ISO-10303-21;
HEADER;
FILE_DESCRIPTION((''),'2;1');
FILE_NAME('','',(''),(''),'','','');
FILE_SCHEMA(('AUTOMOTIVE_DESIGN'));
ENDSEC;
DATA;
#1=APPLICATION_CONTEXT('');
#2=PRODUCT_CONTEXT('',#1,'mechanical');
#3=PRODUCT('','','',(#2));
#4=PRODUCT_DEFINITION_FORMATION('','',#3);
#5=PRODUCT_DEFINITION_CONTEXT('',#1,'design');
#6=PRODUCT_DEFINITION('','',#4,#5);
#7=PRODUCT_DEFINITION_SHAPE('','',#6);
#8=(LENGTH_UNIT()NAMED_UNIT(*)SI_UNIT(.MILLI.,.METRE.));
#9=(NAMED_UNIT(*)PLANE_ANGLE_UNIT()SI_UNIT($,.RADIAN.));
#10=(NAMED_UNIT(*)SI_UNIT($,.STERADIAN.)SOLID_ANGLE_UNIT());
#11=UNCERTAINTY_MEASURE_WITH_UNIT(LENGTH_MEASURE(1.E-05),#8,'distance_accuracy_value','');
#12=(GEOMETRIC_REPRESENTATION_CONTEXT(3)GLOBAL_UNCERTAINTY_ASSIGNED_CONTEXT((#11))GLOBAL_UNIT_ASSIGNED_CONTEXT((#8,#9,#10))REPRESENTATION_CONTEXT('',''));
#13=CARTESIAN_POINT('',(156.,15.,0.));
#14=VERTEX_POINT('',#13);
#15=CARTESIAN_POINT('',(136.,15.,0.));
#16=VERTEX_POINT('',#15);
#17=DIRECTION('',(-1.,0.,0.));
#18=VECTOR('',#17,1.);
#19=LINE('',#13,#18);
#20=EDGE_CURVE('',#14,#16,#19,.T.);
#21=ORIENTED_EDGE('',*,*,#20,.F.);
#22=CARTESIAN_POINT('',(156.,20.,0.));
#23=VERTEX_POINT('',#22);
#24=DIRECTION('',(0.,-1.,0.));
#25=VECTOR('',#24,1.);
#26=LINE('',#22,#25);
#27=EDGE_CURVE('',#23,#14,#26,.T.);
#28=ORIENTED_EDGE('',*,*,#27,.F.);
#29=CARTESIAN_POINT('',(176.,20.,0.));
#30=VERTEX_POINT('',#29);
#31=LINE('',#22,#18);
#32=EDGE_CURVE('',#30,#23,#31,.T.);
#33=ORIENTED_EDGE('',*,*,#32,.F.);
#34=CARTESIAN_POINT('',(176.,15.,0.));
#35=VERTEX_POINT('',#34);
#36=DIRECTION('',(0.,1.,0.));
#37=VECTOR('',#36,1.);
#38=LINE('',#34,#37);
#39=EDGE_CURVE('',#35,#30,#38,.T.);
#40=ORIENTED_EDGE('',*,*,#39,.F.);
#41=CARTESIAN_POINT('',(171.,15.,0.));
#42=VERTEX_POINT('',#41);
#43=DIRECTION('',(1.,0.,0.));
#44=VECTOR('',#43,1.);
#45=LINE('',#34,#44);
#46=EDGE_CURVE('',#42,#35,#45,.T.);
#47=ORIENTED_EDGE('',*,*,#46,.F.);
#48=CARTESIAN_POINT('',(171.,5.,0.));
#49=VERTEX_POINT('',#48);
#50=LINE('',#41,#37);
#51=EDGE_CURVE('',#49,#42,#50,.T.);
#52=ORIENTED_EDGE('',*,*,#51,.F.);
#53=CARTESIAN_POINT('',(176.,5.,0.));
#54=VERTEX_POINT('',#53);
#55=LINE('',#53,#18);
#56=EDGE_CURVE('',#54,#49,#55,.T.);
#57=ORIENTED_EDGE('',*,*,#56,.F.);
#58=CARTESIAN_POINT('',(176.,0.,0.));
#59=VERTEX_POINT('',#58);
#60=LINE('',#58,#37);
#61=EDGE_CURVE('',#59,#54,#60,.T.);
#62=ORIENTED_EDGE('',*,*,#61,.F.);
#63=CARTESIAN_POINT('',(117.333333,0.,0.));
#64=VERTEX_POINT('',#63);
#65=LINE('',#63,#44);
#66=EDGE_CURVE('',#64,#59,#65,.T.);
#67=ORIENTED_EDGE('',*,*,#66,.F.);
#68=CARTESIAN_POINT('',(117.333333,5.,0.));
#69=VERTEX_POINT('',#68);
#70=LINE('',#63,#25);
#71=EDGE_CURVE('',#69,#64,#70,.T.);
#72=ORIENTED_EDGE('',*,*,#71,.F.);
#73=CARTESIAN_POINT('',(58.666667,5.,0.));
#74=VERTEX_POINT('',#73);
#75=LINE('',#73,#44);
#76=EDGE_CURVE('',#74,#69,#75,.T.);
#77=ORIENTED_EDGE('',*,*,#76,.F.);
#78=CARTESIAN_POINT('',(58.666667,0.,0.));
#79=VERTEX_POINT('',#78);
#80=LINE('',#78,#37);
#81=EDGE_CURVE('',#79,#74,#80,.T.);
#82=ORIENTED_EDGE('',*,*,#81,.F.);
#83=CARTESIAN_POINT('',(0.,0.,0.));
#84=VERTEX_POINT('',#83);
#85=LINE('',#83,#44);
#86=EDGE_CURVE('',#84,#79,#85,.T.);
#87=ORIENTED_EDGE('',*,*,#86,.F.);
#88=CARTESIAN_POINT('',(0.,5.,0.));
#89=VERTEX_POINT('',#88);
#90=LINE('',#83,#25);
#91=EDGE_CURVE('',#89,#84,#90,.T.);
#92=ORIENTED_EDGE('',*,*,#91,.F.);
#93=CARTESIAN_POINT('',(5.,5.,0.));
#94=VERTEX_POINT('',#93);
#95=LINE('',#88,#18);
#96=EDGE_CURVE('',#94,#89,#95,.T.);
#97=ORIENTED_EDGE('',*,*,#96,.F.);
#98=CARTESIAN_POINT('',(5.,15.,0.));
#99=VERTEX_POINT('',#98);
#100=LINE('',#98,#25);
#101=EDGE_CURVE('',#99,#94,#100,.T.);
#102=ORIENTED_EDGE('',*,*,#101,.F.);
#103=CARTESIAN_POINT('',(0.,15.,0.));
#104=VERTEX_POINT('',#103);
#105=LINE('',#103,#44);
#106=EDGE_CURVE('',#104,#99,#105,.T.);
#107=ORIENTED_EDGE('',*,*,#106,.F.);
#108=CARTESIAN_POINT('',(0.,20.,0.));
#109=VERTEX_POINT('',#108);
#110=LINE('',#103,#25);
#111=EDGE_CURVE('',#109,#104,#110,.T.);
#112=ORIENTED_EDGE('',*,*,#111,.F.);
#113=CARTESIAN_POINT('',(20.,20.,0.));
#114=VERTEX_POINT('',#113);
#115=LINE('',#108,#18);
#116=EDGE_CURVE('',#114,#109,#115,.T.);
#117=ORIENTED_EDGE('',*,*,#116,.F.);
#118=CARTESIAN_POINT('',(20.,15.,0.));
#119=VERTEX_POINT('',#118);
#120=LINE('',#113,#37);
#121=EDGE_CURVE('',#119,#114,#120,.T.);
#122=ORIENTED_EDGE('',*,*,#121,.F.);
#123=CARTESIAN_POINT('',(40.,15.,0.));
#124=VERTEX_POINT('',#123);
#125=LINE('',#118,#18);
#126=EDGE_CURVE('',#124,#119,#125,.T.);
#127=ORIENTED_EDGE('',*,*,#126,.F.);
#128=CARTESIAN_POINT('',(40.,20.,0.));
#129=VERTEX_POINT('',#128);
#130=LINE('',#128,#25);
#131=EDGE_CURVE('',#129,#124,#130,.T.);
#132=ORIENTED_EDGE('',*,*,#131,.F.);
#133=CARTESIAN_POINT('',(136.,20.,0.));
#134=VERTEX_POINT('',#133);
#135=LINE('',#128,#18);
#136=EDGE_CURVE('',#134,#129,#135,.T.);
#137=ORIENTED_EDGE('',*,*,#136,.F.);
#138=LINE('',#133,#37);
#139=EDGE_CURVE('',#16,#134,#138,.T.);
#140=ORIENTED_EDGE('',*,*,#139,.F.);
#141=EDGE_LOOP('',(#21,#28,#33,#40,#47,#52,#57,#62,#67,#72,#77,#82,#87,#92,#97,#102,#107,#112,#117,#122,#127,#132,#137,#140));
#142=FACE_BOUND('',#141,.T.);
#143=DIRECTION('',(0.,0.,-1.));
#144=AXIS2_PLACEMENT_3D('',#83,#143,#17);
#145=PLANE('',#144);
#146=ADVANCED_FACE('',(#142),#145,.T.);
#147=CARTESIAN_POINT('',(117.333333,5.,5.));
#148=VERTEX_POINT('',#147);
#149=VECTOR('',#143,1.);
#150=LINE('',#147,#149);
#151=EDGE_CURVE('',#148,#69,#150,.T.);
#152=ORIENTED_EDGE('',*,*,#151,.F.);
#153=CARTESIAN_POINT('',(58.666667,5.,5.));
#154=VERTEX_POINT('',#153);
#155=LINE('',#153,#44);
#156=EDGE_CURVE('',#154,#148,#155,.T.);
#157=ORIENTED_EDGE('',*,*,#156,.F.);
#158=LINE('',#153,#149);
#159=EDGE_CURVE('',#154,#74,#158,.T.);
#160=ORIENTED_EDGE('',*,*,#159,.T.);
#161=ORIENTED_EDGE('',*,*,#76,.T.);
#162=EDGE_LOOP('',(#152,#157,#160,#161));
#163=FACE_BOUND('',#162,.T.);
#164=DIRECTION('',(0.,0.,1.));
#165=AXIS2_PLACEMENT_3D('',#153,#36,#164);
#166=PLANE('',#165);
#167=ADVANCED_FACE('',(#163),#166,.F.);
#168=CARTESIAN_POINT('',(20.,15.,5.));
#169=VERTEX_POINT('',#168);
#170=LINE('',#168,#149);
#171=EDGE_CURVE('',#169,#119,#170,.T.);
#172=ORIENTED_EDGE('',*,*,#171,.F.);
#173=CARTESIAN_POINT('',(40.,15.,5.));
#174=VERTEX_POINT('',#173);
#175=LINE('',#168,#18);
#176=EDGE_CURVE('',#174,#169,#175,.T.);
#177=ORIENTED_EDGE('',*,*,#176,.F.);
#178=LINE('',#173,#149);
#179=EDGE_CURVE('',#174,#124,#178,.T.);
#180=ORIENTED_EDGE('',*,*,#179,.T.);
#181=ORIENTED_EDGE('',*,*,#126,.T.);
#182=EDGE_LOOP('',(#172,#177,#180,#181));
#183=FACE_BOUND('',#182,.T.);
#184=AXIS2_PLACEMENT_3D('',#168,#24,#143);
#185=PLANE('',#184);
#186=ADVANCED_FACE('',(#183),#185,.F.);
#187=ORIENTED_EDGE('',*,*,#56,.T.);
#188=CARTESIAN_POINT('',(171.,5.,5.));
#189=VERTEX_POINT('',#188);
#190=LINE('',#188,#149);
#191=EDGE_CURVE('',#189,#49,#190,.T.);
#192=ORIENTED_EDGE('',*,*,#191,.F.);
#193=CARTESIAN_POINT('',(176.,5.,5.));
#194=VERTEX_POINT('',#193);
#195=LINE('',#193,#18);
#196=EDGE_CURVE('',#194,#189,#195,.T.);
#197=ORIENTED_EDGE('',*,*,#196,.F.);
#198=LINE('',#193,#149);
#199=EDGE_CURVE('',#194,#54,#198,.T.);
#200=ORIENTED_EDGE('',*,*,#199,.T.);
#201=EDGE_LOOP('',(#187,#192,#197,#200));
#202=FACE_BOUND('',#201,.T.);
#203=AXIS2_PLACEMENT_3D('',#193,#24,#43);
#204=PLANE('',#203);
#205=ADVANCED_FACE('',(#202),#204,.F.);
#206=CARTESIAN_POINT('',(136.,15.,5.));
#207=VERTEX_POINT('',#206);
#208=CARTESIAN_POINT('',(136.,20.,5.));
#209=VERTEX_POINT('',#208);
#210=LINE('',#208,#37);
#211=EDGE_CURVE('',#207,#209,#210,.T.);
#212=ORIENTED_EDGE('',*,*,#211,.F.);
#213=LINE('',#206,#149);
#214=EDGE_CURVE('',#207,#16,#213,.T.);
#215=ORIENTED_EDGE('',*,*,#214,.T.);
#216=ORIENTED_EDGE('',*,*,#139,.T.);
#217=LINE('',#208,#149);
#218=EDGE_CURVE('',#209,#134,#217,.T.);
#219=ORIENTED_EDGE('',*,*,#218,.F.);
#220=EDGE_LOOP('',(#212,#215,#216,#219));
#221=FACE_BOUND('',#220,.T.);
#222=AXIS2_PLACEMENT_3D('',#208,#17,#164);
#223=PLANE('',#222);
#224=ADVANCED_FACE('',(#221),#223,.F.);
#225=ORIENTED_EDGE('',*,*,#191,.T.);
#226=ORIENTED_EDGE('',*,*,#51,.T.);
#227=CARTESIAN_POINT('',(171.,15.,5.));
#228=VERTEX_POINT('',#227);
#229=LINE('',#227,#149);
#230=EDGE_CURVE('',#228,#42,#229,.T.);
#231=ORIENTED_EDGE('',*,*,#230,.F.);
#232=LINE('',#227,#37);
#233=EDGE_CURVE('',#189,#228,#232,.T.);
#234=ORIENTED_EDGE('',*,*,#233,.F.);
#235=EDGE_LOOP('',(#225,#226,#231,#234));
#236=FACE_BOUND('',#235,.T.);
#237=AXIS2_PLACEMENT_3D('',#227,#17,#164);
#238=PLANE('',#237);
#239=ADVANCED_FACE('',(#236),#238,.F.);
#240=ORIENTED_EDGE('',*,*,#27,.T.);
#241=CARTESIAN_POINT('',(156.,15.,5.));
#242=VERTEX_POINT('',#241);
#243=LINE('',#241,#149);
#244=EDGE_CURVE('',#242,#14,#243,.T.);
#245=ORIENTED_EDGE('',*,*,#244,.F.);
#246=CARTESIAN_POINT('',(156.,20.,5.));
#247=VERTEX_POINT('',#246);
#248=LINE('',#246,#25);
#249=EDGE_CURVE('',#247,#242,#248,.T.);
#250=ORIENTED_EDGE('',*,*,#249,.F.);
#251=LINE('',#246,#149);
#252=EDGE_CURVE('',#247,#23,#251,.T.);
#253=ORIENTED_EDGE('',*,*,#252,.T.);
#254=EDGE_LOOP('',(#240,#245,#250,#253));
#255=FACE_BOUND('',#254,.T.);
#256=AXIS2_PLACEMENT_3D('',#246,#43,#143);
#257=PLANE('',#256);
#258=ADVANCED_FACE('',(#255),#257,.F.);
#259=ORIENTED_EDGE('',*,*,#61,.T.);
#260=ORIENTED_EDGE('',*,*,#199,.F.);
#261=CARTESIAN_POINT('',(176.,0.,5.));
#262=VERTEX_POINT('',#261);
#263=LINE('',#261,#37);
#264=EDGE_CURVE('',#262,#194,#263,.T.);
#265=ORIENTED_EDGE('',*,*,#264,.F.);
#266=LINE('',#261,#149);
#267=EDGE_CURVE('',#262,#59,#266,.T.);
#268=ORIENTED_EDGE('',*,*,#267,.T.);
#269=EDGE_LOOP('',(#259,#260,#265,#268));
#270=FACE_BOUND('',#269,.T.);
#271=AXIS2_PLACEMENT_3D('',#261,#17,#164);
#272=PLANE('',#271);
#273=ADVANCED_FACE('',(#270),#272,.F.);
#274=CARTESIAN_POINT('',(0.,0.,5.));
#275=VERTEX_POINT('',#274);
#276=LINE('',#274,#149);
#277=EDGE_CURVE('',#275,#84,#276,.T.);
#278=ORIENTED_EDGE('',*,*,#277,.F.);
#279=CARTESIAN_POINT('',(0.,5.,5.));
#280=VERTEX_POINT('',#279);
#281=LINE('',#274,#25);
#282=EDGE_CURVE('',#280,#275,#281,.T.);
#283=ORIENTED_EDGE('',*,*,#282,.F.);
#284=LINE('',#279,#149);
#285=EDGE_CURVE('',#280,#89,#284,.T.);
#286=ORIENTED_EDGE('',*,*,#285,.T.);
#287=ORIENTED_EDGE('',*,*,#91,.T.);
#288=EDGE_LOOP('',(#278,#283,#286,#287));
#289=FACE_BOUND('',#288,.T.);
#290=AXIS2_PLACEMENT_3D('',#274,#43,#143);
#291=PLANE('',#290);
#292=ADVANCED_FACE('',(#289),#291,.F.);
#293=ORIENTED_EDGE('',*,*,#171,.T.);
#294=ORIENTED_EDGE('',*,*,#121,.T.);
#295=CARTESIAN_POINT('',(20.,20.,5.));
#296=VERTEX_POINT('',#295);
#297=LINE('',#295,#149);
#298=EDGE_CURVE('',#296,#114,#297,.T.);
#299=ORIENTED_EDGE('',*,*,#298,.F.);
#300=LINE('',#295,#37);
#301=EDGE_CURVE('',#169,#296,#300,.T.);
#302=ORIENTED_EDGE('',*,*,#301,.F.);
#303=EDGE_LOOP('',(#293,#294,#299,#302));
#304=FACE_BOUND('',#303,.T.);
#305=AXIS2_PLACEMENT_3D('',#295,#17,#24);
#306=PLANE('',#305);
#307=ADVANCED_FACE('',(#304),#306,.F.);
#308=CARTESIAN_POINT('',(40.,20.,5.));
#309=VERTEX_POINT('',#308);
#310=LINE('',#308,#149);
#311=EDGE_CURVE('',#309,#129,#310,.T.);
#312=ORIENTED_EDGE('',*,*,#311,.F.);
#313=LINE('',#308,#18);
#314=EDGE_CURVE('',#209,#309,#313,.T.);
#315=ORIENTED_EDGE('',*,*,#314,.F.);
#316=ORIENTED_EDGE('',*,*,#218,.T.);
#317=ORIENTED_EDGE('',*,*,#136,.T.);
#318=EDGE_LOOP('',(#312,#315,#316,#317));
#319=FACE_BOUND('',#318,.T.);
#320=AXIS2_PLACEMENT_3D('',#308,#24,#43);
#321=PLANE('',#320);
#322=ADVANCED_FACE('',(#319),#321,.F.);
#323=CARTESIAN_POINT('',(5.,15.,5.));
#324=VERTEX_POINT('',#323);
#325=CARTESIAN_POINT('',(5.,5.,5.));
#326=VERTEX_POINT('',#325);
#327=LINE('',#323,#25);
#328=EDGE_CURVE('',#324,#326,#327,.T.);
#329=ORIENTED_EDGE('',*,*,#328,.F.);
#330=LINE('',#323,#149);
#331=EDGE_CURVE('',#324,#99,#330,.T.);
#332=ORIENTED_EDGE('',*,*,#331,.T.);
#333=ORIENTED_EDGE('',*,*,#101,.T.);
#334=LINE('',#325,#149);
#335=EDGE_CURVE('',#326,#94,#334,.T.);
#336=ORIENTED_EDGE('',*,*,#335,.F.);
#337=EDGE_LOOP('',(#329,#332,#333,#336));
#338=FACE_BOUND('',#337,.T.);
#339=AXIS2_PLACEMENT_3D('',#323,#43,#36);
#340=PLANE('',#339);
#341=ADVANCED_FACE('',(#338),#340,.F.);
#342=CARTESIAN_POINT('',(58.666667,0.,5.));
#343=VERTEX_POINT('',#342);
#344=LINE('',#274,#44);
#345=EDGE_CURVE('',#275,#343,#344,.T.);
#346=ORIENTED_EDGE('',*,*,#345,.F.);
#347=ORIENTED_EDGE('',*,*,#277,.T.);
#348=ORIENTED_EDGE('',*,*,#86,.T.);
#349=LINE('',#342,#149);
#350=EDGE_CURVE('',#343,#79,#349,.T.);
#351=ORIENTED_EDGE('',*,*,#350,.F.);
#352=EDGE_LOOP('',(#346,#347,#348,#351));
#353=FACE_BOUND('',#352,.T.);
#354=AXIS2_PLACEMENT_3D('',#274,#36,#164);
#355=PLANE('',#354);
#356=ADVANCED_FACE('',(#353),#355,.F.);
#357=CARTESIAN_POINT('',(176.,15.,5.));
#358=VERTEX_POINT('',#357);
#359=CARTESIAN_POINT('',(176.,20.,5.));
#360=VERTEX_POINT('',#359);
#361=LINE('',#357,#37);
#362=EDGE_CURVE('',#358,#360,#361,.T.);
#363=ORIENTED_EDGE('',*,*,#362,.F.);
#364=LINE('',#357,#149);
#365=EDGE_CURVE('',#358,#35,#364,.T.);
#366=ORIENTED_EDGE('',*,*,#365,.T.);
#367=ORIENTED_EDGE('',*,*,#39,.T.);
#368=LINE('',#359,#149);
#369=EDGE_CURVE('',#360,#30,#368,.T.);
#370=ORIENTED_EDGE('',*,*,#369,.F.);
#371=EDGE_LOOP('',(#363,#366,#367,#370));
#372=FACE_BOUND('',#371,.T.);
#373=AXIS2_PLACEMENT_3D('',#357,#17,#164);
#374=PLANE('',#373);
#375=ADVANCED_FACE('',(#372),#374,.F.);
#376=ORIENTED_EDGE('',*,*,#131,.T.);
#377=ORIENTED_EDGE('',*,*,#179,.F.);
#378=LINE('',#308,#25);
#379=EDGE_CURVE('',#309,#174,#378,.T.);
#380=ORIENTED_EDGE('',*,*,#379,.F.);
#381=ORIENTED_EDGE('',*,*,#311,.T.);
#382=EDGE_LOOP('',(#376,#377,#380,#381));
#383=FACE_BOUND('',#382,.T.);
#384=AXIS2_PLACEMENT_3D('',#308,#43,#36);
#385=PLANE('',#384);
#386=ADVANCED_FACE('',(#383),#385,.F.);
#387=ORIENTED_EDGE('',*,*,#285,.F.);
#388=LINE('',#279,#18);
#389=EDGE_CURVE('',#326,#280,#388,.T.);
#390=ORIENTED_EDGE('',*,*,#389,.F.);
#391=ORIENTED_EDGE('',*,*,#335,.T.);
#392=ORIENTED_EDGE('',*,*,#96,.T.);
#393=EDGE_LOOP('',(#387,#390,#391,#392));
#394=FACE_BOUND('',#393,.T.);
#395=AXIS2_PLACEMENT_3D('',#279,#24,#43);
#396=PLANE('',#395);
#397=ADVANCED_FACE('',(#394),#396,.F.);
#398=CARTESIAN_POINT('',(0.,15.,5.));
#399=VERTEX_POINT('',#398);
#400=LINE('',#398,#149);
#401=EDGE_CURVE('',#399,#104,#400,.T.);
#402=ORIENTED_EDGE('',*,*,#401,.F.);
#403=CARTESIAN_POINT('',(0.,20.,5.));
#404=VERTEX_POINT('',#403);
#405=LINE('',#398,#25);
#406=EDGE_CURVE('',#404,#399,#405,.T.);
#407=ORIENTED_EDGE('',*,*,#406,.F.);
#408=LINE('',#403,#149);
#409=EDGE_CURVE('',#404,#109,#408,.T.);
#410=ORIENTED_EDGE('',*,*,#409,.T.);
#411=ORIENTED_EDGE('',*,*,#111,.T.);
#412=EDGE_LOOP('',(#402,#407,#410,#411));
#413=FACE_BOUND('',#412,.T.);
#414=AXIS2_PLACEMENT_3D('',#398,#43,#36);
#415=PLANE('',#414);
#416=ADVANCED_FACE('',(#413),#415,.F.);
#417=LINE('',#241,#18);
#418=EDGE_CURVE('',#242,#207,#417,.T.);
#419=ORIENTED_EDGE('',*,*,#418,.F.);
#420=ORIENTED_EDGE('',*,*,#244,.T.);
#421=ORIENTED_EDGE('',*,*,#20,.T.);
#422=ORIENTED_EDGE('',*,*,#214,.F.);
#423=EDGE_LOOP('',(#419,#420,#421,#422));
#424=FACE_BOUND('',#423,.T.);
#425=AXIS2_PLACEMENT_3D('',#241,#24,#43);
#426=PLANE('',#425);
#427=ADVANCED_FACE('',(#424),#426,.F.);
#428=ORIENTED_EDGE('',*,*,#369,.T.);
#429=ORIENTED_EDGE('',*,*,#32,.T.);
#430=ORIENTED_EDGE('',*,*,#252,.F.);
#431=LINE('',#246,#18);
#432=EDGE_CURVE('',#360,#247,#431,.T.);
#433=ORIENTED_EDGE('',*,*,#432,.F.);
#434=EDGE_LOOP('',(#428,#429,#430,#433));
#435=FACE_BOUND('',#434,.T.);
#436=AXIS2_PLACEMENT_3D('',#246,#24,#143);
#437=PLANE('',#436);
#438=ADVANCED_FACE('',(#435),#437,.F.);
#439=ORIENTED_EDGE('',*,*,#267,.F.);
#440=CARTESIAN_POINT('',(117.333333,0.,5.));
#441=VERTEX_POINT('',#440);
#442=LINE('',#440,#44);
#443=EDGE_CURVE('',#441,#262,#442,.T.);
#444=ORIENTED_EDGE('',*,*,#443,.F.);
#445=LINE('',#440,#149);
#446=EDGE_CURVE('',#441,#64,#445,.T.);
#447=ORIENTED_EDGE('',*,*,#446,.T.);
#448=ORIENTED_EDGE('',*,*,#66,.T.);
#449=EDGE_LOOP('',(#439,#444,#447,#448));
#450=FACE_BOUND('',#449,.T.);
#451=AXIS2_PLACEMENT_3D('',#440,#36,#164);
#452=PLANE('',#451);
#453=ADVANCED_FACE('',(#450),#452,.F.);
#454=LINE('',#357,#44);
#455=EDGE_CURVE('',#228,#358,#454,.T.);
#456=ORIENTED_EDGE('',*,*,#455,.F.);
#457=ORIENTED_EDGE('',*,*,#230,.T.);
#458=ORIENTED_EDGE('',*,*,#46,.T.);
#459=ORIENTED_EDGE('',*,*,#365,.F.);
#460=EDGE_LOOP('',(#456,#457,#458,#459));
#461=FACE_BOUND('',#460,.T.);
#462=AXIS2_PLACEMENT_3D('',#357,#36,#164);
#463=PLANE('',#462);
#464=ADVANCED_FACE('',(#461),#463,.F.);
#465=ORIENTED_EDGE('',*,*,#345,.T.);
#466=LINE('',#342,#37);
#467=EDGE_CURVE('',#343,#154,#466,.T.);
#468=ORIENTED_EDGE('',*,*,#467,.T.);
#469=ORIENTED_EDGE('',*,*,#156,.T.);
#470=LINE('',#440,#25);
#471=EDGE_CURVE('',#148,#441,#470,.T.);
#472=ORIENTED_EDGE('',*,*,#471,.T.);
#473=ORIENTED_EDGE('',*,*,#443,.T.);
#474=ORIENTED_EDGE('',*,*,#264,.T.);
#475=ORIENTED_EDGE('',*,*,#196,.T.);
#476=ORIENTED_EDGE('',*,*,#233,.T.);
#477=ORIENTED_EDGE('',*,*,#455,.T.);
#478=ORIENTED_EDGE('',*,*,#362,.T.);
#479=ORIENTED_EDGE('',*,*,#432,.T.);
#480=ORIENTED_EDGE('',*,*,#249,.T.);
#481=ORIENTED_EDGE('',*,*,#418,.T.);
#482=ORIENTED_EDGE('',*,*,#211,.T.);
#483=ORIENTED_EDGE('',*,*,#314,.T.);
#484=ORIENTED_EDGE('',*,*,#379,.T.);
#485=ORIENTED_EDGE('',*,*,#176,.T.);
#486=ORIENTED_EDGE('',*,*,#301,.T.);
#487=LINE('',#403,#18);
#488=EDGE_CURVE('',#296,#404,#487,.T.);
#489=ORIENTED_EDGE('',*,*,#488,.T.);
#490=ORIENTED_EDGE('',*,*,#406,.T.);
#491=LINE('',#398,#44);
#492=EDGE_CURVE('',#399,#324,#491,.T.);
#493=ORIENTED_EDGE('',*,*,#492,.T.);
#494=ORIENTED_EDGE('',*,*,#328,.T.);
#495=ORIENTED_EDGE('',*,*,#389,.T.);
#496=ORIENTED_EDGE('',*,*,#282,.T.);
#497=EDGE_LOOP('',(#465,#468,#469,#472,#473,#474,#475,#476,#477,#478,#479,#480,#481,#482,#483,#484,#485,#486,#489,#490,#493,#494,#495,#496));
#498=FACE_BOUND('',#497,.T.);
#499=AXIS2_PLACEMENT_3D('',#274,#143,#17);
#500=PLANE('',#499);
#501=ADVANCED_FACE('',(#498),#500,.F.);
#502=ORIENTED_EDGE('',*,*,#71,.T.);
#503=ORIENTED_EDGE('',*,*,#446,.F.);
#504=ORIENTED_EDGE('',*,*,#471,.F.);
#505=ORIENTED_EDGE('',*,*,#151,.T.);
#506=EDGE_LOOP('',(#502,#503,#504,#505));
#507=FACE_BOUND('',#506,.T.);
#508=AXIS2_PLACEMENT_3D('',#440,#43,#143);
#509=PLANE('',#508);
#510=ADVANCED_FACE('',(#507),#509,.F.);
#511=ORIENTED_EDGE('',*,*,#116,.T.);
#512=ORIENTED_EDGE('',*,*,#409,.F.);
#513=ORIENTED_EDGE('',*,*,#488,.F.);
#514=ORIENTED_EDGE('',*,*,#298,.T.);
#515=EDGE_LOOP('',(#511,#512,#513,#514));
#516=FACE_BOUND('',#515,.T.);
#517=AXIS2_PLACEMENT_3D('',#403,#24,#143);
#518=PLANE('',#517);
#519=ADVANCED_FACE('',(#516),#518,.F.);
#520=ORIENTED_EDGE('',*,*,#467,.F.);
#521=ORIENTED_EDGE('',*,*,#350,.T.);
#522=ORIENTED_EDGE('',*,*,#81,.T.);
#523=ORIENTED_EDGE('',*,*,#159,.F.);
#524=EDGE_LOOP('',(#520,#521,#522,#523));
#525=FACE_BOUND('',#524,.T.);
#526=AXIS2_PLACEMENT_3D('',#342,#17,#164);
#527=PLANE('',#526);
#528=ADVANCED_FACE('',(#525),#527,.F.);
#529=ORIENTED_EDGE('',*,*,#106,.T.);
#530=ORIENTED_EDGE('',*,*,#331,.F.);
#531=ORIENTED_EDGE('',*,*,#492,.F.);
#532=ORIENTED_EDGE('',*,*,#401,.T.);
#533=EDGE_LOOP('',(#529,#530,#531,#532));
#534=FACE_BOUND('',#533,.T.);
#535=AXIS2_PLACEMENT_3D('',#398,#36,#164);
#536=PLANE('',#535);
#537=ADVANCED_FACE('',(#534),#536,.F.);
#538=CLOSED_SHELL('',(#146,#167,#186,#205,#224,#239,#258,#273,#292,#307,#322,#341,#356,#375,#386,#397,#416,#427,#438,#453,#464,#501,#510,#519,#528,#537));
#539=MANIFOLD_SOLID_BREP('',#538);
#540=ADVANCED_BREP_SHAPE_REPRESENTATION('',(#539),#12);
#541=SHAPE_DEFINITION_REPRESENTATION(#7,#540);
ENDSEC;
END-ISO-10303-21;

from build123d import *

# Parameters (mm, degrees)
SALIENTE_EXTRUIR1_DEPTH = 5


with BuildPart() as part:
    # Croquis1 → Saliente-Extruir1 (new body)
    with BuildSketch(Plane.XY):
        Polygon((117.333333333, 0), (176, 0), (176, 5), (171, 5), (171, 15), (176, 15), (176, 20), (156, 20), (156, 15), (136, 15), (136, 20), (40, 20), (40, 15), (20, 15), (20, 20), (0, 20), (0, 15), (5, 15), (5, 5), (0, 5), (0, 0), (58.666666667, 0), (58.666666667, 5), (117.333333333, 5), align=None)
    extrude(amount=SALIENTE_EXTRUIR1_DEPTH)


solid = part.part
